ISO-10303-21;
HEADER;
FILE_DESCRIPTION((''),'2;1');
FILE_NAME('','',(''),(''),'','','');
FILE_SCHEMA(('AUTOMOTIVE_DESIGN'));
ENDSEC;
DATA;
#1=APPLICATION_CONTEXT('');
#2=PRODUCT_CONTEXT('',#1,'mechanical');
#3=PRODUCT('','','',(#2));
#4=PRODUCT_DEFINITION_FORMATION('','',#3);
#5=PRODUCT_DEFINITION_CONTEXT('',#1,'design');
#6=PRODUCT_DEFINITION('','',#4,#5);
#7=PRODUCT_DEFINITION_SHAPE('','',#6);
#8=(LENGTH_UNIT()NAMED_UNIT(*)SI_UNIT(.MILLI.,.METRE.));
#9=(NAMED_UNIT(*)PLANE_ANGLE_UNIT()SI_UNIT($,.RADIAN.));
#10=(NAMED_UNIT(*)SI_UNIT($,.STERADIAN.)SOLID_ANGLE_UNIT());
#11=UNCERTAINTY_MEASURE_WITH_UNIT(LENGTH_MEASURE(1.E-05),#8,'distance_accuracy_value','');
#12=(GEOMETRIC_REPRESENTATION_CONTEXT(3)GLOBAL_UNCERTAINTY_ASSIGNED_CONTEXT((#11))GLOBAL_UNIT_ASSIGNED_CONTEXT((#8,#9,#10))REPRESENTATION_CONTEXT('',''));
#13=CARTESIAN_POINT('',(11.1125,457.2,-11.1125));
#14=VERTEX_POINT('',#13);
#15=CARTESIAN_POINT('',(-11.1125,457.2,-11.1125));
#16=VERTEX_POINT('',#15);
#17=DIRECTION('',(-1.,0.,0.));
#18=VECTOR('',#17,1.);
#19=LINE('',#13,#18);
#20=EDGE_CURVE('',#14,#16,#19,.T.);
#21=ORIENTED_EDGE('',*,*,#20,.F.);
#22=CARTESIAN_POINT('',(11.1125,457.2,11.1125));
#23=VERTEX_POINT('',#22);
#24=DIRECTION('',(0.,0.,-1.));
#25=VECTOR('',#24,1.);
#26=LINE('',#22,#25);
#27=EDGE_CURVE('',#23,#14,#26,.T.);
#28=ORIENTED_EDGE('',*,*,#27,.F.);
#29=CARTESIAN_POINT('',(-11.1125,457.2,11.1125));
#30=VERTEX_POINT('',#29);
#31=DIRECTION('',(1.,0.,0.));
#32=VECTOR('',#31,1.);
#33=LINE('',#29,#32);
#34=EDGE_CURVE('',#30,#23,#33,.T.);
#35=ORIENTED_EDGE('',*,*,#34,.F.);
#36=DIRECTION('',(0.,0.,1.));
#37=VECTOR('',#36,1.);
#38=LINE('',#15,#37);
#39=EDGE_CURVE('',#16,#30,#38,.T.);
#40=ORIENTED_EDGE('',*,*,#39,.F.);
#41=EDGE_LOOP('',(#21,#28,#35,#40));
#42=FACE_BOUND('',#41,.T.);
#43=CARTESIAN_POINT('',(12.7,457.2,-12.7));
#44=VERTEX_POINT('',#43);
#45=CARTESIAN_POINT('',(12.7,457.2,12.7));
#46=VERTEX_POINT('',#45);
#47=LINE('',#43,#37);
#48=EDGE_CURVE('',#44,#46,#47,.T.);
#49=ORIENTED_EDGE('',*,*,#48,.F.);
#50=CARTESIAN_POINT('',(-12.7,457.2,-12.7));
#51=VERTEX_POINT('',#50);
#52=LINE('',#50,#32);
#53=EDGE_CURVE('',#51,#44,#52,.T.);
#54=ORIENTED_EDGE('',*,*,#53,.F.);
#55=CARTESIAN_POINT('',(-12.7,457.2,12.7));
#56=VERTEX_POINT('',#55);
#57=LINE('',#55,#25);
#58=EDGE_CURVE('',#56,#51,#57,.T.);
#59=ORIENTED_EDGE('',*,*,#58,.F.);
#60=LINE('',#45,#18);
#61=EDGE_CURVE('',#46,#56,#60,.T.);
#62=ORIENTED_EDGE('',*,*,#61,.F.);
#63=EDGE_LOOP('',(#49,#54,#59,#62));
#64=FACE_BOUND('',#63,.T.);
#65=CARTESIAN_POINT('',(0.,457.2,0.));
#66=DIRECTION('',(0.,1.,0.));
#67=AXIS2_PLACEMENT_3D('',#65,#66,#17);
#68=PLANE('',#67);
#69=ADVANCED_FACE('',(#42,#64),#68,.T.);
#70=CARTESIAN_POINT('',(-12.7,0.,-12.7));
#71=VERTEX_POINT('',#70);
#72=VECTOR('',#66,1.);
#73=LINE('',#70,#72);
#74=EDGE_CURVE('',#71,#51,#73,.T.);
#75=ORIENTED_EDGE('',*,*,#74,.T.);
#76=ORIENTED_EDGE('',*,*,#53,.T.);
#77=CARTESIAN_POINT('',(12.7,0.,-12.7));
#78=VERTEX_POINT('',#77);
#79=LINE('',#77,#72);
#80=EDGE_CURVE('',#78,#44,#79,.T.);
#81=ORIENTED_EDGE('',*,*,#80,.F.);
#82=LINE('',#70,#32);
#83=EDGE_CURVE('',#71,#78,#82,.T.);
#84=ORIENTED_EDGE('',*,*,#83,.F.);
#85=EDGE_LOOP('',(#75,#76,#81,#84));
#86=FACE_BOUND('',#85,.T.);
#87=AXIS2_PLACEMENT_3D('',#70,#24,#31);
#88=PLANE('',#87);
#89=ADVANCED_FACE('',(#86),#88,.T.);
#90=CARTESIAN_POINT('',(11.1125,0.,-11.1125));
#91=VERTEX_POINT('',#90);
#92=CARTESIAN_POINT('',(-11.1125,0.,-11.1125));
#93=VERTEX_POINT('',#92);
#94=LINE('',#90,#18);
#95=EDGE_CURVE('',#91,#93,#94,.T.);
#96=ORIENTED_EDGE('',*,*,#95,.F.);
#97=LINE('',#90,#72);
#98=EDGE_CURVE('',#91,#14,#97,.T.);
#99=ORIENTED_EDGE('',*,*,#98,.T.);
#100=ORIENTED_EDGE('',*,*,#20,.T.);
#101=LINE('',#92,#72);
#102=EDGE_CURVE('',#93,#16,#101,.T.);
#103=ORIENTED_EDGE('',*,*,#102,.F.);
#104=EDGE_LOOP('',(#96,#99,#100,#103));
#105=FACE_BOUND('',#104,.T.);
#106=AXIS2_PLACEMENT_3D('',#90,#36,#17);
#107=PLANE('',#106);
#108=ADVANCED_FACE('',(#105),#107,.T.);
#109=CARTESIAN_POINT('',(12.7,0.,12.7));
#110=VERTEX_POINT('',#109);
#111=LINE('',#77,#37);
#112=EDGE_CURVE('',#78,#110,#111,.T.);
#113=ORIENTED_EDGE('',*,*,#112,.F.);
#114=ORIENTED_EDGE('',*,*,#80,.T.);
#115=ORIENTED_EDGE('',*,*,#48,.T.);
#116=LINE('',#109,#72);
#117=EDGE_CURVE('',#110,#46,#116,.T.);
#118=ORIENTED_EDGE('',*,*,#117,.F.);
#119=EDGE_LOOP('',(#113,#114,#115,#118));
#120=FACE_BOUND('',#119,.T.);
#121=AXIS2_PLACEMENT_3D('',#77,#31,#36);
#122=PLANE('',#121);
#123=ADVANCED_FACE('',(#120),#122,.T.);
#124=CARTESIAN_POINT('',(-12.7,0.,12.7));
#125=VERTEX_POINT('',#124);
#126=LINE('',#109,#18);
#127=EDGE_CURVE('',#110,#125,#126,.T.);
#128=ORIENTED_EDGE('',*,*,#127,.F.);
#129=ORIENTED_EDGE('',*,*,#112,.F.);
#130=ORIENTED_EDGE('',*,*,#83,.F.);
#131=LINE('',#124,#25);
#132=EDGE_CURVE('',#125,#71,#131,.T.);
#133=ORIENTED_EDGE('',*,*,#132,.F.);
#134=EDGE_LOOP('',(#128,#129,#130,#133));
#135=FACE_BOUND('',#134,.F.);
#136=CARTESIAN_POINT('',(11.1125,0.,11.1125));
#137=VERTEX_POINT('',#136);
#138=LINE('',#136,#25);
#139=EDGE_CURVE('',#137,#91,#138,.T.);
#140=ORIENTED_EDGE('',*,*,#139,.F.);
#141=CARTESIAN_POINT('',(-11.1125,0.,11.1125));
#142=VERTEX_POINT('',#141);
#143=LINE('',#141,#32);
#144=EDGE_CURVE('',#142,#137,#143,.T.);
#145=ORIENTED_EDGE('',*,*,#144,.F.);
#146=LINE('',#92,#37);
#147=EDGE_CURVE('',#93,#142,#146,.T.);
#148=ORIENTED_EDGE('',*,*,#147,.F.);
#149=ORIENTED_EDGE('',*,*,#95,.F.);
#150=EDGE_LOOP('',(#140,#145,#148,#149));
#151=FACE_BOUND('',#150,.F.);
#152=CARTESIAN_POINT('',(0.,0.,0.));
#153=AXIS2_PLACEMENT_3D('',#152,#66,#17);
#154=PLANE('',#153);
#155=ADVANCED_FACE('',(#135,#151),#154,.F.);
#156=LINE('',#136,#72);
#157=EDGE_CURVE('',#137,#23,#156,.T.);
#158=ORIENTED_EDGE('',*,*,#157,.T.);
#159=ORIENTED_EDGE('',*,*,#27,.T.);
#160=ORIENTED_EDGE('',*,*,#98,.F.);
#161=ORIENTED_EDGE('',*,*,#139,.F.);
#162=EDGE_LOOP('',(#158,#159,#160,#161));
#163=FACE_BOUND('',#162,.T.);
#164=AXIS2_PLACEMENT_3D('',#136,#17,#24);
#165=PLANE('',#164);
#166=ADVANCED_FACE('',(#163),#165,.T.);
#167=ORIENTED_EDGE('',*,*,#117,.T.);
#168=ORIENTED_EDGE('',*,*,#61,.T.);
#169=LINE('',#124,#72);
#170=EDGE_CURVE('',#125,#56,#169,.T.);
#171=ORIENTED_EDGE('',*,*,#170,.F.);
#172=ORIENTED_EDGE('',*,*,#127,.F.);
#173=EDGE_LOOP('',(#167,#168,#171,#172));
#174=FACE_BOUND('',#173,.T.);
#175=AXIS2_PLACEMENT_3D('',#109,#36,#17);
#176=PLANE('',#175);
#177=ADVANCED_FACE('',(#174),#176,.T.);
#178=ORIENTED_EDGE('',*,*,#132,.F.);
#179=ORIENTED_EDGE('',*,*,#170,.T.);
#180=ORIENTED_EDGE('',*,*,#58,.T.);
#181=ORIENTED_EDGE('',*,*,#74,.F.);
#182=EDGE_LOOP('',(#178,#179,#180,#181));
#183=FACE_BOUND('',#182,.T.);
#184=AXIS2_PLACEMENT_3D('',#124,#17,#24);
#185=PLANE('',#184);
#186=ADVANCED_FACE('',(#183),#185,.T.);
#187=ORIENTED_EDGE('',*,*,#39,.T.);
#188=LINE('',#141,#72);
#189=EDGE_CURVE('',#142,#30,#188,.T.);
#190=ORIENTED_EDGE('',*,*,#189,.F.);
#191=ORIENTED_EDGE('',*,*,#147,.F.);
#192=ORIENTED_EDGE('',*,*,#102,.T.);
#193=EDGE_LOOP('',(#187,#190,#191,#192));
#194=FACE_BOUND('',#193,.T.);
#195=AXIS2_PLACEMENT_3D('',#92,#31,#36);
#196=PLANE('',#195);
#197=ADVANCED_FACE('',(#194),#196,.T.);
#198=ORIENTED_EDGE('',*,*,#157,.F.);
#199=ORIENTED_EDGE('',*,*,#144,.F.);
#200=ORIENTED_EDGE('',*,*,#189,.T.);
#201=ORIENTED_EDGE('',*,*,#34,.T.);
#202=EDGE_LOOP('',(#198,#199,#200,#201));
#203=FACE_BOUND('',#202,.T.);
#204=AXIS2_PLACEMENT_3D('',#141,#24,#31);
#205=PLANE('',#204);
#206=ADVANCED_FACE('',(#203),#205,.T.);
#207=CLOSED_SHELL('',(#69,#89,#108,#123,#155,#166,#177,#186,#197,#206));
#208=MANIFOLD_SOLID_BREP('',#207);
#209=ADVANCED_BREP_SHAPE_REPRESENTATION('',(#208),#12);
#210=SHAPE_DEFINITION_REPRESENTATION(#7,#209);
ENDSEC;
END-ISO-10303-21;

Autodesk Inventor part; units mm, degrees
ref_plane "YZ Plane" through (0, 0, 0) normal (1, 0, 0) x (0, 1, 0)
ref_plane "XZ Plane" through (0, 0, 0) normal (0, 1, 0) x (-1, 0, 0)
ref_plane "XY Plane" through (0, 0, 0) normal (0, 0, 1) x (1, 0, 0)
sketch "Sketch1" plane through (0, 0, 0) normal (0, 1, 0) x (-1, 0, 0)
  line L0 (-12.7, 12.7) -> (12.7, 12.7)
  line L1 (12.7, 12.7) -> (12.7, -12.7)
  line L2 (12.7, -12.7) -> (-12.7, -12.7)
  line L3 (-12.7, -12.7) -> (-12.7, 12.7)
  line L4 (-12.7, 12.7) -> (12.7, -12.7) construction
  line L5 (12.7, 12.7) -> (-12.7, -12.7) construction
  line L6 (11.1125, 11.1125) -> (-11.1125, 11.1125)
  line L7 (-11.1125, 11.1125) -> (-11.1125, -11.1125)
  line L8 (-11.1125, -11.1125) -> (11.1125, -11.1125)
  line L9 (11.1125, -11.1125) -> (11.1125, 11.1125)
  line L10 (11.1125, 11.1125) -> (-11.1125, -11.1125) construction
  line L11 (-11.1125, 11.1125) -> (11.1125, -11.1125) construction
  point P0 (0, 0)
  dimension "d0" = 25.4
  dimension "d1" = 25.4
  dimension "d2" = 22.225
  dimension "d3" = 22.225
extrude "Extrusion1" add sketch "Sketch1" along normal blind 457.2
properties part number "1x1 Aluminum" material "Aluminum 6061"
